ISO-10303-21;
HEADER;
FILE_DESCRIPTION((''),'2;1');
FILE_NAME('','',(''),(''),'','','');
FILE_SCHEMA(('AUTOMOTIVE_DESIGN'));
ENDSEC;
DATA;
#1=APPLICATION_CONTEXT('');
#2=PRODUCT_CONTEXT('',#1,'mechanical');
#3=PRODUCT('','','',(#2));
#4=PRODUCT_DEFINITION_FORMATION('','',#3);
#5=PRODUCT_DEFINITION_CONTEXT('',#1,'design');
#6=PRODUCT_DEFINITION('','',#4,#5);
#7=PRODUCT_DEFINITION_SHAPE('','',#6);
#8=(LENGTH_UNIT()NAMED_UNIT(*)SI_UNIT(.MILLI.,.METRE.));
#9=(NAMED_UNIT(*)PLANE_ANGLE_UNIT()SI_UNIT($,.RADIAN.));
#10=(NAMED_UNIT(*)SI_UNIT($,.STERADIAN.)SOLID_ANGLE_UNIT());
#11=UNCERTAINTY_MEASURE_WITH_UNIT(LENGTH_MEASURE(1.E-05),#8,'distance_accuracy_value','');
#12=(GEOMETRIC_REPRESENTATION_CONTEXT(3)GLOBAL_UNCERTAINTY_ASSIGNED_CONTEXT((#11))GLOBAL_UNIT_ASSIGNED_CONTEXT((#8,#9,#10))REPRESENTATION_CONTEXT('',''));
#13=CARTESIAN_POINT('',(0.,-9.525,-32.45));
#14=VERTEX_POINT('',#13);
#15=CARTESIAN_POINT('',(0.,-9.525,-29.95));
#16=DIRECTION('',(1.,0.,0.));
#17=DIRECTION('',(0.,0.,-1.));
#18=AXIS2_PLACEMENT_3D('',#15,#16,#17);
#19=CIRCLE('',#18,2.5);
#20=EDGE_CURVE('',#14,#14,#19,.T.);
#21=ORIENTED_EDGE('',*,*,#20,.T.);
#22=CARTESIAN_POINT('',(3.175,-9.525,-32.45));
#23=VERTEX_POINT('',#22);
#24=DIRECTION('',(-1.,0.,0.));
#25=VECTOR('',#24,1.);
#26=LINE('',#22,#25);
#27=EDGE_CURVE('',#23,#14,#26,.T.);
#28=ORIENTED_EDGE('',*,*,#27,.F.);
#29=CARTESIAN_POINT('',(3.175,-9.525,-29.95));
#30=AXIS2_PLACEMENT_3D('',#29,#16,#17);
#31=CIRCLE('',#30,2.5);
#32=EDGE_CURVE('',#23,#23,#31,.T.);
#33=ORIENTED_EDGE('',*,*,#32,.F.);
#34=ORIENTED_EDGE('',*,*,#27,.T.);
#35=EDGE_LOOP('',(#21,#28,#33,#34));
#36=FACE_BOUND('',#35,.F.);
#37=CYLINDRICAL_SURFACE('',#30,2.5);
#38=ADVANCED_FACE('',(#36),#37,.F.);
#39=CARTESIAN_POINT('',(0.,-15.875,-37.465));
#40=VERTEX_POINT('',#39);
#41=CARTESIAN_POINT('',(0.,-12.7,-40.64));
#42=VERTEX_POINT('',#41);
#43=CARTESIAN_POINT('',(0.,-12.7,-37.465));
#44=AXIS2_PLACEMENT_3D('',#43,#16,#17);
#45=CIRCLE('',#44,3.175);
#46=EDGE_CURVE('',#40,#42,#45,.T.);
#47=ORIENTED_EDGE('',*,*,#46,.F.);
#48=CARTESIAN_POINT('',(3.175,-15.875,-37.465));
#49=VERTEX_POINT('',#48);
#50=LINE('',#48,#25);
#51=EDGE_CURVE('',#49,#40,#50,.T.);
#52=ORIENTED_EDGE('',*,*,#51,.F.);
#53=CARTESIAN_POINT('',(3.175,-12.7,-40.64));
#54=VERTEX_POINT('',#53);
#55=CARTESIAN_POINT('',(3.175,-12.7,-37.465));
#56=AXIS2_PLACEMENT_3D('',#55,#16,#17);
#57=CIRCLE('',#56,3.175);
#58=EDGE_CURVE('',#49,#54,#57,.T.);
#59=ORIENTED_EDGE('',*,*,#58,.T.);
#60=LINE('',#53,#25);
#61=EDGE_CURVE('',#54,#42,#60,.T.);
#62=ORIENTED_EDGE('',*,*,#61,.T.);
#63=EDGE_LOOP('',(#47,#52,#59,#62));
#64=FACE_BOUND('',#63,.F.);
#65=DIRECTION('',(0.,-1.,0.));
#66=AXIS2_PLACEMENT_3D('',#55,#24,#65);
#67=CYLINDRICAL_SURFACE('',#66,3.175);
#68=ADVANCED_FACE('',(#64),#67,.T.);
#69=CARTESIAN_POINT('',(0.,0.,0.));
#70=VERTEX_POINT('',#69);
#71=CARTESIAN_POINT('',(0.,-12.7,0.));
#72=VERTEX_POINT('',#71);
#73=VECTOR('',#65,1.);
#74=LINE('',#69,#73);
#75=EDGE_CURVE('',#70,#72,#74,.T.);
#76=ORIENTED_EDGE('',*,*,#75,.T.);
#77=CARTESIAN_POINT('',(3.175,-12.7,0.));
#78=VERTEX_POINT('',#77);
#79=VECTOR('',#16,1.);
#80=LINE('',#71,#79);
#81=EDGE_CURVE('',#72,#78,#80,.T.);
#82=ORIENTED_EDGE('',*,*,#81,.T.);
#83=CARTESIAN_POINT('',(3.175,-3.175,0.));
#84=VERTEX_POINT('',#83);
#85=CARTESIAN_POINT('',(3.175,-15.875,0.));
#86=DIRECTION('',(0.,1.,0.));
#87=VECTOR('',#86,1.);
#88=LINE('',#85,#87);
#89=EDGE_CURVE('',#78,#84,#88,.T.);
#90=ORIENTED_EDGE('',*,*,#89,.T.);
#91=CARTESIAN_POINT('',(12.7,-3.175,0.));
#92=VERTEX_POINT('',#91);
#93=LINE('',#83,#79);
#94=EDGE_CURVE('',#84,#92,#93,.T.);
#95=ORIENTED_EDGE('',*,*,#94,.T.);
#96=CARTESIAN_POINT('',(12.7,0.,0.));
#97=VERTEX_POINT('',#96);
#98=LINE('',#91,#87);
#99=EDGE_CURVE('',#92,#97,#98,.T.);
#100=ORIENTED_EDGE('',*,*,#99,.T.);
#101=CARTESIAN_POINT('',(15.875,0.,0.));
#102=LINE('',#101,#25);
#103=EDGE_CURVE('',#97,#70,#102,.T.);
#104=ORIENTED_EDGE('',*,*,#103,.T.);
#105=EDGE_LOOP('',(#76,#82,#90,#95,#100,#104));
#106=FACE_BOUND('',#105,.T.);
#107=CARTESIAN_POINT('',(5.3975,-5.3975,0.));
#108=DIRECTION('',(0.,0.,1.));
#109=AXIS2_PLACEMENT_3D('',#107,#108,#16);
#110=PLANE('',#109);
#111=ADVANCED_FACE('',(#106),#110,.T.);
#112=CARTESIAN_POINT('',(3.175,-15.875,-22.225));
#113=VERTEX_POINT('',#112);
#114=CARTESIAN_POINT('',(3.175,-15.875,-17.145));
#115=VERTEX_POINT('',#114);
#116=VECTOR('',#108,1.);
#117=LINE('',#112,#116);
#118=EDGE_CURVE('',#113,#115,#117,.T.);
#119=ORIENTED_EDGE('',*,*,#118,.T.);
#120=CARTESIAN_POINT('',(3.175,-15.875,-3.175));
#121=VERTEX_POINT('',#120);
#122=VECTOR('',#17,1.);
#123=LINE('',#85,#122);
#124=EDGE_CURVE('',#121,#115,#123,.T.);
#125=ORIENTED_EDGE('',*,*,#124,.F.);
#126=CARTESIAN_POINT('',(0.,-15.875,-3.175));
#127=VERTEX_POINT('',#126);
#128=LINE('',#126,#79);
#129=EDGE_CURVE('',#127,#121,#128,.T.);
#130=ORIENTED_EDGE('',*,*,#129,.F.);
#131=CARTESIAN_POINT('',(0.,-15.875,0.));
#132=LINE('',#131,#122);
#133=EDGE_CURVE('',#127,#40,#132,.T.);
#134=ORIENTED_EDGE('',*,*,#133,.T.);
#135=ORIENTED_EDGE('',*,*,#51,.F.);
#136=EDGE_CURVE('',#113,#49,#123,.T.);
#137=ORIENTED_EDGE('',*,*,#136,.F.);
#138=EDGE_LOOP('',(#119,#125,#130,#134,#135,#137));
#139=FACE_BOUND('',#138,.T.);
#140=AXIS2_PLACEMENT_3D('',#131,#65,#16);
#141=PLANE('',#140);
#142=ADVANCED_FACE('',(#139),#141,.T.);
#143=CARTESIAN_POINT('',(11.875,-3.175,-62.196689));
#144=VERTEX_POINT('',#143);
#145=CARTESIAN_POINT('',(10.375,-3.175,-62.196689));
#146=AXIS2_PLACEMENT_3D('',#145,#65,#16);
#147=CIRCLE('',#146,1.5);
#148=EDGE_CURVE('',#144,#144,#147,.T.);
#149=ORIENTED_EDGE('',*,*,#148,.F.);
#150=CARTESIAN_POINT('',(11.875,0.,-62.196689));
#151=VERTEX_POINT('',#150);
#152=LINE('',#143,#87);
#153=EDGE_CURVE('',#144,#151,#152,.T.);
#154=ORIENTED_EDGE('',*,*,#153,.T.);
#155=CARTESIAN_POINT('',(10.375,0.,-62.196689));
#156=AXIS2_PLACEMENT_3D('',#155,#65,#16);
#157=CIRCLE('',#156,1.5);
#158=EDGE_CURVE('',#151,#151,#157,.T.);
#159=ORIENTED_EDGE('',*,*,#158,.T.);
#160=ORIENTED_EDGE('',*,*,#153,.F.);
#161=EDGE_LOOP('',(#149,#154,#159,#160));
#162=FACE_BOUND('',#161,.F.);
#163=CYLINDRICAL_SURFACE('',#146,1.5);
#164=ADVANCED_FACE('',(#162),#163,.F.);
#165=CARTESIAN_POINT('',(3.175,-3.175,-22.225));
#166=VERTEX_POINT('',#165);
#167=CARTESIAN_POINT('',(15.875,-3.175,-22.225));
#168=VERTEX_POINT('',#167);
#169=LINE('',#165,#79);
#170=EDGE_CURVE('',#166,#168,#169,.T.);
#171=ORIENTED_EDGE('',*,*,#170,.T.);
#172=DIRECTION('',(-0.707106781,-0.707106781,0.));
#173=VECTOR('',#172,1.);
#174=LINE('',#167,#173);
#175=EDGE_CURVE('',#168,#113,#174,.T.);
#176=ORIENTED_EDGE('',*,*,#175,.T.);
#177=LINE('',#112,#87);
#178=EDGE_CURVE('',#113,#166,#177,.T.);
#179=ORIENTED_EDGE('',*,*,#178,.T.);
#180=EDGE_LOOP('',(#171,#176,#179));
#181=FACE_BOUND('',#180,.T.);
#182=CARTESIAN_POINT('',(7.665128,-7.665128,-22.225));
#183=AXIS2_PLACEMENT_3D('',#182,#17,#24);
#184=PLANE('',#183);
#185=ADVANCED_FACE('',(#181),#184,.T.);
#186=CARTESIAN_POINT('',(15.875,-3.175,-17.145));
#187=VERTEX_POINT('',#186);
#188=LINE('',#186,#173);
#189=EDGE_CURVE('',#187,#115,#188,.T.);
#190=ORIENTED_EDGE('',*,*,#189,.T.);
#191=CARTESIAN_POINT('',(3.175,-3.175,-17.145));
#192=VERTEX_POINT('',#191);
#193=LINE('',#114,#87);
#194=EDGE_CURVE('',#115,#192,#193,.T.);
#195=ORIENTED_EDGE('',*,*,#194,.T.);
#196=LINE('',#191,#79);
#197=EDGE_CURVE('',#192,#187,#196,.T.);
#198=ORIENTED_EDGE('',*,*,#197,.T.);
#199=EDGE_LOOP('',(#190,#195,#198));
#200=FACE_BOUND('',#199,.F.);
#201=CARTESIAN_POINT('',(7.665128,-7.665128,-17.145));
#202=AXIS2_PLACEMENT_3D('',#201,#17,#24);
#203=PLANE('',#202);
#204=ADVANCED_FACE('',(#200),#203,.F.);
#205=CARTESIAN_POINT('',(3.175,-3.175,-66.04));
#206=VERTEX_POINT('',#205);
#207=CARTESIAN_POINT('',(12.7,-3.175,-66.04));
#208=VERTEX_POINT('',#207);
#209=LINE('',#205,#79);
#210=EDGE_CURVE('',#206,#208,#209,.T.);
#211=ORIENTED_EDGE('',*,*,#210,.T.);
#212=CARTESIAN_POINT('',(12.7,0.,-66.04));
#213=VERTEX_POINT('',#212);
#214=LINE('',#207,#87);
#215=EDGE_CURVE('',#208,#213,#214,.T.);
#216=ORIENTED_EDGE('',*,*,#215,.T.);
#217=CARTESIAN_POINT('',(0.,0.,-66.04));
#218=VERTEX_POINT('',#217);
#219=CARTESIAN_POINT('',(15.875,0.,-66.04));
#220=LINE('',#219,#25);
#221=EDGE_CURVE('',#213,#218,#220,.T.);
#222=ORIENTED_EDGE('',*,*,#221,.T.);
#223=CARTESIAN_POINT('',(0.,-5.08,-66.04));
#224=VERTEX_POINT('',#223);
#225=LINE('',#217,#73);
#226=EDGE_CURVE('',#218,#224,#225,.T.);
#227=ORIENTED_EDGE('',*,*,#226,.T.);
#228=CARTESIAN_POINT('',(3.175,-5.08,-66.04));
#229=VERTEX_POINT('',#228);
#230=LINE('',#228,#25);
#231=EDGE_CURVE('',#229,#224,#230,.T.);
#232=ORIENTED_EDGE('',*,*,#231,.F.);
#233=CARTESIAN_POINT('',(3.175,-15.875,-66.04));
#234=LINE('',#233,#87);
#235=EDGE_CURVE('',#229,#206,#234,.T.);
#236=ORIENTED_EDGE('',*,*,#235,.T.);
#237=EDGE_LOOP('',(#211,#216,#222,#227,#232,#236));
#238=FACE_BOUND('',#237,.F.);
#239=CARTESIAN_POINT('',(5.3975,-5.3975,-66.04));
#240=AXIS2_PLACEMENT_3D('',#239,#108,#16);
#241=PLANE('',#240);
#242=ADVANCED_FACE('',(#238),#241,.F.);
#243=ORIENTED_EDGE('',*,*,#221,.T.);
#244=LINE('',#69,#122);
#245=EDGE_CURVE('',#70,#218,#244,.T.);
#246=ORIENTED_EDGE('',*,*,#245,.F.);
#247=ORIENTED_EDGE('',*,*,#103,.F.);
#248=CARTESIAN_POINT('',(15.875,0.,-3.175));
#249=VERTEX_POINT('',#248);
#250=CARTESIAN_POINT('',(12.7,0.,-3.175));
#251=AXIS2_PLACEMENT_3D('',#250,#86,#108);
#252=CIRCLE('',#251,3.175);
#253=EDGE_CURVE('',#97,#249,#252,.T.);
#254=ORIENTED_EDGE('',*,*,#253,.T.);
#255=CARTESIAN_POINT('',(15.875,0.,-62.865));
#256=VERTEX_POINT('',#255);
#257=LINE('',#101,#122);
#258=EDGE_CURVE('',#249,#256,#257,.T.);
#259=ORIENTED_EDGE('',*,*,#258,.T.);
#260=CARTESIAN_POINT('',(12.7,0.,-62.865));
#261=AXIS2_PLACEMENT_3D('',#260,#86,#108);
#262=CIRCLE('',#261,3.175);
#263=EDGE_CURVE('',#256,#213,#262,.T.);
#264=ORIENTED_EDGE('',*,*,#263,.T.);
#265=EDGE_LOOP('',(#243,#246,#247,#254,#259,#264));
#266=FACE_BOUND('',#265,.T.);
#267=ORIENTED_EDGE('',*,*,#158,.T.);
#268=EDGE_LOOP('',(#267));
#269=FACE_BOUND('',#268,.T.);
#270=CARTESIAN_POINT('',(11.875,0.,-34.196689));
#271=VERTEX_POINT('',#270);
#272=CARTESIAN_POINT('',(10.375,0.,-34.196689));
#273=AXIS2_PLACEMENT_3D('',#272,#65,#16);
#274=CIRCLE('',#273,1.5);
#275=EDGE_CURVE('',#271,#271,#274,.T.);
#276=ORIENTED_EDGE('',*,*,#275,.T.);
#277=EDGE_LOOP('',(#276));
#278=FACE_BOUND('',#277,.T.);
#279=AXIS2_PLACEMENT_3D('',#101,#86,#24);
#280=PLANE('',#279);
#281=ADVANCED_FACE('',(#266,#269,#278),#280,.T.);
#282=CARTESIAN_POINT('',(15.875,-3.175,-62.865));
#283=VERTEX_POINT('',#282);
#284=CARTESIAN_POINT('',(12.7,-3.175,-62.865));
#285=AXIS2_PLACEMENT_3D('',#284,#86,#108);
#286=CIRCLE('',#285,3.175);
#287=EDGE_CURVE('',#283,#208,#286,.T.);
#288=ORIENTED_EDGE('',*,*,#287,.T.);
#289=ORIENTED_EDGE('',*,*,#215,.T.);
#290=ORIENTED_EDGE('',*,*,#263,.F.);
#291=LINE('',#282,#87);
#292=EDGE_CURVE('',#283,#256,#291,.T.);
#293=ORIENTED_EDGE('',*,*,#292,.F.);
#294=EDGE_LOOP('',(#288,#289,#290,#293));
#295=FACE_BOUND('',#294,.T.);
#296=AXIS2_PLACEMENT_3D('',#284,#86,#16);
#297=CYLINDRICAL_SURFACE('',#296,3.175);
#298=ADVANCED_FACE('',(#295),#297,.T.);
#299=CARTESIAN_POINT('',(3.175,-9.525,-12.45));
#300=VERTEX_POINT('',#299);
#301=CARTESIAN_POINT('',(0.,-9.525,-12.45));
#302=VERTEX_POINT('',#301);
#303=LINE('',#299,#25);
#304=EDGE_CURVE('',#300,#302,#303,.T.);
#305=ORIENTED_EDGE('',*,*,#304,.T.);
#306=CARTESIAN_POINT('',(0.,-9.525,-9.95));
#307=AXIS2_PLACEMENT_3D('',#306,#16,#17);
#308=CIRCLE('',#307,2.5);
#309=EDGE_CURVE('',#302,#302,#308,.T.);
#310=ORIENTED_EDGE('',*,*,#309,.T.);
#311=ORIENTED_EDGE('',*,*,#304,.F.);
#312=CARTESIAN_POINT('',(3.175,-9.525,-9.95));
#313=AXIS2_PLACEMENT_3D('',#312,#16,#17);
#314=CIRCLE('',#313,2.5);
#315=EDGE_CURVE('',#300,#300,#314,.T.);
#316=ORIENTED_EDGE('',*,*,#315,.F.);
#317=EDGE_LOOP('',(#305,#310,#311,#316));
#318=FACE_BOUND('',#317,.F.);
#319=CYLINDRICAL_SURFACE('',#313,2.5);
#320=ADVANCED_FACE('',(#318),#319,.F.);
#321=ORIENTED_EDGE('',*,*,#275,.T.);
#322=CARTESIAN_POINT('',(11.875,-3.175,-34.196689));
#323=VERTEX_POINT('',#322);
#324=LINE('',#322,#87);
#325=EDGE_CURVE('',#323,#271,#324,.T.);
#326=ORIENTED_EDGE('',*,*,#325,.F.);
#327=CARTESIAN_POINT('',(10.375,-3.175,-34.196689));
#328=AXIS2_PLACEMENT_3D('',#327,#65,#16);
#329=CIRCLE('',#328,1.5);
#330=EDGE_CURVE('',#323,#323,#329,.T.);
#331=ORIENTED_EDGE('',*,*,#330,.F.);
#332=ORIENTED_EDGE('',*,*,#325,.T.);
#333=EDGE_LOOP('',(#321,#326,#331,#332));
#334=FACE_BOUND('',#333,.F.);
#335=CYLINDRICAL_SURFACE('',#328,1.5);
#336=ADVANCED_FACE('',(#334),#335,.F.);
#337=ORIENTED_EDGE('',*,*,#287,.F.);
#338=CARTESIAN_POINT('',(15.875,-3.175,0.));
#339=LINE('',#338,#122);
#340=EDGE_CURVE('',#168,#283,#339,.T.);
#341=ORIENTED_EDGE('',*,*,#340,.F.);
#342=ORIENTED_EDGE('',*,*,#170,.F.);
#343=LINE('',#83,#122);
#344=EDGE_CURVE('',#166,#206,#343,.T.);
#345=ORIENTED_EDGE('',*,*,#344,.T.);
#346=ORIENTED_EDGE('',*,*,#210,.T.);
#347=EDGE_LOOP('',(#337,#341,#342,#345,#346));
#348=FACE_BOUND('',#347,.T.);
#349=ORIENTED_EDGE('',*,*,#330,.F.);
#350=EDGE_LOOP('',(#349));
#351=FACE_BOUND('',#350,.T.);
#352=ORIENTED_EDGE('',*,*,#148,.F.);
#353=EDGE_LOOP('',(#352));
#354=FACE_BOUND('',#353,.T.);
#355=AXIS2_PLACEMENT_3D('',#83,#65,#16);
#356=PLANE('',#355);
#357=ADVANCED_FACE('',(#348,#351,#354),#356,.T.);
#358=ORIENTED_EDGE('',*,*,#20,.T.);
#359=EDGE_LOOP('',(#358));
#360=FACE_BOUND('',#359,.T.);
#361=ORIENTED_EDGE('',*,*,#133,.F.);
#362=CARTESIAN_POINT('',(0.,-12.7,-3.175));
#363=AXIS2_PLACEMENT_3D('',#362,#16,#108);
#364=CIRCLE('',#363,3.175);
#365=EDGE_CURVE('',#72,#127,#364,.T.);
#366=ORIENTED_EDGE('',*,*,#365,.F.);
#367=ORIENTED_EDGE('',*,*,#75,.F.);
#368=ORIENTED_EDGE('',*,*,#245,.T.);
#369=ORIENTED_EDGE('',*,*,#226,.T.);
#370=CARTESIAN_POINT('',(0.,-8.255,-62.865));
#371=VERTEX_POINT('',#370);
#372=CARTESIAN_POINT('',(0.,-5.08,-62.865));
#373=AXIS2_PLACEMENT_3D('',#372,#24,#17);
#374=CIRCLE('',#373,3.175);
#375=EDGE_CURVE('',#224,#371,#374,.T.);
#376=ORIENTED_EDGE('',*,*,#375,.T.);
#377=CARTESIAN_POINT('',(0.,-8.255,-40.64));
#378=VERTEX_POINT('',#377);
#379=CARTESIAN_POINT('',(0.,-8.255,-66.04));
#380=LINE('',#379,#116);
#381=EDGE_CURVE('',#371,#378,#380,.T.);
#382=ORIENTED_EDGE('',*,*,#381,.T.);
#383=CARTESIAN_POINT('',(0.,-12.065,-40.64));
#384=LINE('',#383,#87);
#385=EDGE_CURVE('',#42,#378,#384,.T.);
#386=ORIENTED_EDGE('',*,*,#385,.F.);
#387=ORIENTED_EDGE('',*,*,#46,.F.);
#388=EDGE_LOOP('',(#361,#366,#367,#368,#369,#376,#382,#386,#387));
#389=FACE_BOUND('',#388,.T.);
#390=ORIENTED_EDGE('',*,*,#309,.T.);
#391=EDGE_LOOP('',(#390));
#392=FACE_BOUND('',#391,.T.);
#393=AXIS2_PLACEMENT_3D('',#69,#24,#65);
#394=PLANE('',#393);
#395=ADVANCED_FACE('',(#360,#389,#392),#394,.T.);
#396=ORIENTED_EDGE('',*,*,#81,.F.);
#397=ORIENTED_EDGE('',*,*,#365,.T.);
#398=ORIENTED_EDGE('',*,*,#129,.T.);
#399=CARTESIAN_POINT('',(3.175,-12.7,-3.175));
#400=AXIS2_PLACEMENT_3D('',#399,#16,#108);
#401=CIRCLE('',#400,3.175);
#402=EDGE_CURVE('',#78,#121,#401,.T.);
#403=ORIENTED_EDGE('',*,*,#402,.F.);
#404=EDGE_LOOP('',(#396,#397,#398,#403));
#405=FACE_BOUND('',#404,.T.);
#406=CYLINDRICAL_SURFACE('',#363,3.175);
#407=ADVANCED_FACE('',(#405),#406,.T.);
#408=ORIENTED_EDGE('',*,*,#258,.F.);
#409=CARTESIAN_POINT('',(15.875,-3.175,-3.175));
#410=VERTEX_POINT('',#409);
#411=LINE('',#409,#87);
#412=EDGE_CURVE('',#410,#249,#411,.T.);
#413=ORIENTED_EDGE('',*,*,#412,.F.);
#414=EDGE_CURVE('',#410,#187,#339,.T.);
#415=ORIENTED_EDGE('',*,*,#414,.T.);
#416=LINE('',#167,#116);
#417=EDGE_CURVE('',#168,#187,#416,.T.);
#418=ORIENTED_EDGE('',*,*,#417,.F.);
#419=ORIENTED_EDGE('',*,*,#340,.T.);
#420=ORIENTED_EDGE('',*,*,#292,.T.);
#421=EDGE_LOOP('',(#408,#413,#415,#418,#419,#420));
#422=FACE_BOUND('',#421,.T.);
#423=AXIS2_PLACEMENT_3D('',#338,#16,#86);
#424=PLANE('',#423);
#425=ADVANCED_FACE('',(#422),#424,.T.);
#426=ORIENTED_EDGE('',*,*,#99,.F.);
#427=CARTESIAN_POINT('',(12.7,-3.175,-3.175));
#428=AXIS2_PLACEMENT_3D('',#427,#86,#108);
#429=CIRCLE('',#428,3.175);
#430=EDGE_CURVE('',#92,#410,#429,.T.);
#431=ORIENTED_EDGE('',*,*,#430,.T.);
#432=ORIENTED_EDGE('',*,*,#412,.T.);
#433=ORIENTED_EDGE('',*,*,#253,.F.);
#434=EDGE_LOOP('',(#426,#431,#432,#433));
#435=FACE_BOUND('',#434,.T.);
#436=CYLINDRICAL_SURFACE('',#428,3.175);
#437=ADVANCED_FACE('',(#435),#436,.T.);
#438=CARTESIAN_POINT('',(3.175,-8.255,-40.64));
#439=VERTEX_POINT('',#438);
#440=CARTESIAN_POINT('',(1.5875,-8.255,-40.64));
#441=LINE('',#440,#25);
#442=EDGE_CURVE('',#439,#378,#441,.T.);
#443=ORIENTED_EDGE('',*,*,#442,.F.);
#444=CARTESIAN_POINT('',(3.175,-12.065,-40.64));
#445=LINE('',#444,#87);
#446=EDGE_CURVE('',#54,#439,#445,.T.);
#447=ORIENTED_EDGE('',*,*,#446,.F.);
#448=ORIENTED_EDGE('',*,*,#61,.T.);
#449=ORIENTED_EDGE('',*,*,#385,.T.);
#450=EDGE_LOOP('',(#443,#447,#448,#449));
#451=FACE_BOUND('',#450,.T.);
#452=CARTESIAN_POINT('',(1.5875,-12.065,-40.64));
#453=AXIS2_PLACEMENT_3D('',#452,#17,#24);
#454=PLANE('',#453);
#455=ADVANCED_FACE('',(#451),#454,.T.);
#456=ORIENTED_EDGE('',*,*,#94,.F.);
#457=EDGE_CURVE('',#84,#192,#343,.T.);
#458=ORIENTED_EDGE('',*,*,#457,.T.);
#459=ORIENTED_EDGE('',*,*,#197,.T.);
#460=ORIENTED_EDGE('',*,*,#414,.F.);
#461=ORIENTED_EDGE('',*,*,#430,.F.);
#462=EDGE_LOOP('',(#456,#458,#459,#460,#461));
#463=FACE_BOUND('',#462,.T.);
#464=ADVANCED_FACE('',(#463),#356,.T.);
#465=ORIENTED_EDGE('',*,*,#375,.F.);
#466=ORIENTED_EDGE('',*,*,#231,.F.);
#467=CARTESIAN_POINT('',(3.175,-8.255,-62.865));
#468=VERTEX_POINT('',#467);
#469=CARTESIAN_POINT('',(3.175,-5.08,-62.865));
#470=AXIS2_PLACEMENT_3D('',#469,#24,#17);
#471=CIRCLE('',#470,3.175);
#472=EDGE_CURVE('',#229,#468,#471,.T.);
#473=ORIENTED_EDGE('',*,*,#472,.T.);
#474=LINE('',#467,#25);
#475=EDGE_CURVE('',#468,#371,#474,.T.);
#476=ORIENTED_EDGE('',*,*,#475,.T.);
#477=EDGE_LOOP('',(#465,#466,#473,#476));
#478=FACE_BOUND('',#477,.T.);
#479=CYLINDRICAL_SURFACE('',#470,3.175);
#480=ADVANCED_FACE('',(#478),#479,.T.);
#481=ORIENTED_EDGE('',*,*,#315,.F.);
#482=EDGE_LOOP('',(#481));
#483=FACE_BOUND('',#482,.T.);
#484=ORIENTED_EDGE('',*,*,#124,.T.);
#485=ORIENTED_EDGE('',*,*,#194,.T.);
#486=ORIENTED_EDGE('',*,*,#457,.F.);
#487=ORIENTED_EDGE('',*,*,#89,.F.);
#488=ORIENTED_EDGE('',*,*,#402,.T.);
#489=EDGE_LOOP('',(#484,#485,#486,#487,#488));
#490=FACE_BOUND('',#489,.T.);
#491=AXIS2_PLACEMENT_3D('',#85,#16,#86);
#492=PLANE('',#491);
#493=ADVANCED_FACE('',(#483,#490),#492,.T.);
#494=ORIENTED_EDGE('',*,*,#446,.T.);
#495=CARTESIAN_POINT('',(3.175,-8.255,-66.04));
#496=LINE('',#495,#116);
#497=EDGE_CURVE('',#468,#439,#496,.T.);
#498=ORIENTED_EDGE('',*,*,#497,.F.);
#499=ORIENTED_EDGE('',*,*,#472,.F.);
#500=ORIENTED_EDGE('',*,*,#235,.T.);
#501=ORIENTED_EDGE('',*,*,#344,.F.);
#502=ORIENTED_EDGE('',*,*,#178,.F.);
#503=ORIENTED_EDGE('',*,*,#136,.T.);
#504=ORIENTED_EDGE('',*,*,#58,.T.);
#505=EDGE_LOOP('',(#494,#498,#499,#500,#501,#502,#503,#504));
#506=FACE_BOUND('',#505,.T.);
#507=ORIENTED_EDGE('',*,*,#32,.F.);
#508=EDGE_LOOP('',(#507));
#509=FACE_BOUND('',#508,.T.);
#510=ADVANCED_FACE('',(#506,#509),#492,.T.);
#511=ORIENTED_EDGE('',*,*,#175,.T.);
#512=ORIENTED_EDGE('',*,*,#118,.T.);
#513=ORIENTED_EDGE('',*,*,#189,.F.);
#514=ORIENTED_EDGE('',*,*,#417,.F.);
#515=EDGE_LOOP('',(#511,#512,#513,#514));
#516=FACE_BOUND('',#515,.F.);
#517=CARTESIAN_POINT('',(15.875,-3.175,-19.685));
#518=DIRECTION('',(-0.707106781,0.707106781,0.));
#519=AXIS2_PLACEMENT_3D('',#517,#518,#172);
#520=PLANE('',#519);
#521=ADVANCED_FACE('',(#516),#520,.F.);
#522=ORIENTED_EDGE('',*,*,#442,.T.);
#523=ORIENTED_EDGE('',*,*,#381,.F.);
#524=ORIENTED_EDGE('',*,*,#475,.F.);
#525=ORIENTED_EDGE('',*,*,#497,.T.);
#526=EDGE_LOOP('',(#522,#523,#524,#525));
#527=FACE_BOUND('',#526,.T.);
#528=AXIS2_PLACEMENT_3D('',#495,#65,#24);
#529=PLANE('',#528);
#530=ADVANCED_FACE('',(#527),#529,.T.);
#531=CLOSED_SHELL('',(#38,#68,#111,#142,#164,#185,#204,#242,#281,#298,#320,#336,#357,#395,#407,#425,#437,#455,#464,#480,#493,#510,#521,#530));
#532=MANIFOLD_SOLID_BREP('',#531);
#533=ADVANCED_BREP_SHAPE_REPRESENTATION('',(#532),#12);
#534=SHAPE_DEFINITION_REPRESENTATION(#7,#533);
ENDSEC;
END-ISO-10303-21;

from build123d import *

# Parameters (mm, degrees)
BOSS_EXTRUDE1_DEPTH = 66.04
SKETCH2_R           = 2.5
CUT_EXTRUDE1_DEPTH  = 4.175
BOSS_EXTRUDE2_DEPTH = 2.54
SKETCH4_W           = 3.175
SKETCH4_H           = 7.62
CUT_EXTRUDE2_DEPTH  = 25.4
SKETCH5_R           = 1.5
CUT_EXTRUDE3_DEPTH  = 25.4
FILLET1_R           = 3.175


with BuildPart() as part:
    # Sketch1 → Boss-Extrude1 (new body)
    with BuildSketch(Plane.XY):
        Polygon((3.175, -3.175), (15.875, -3.175), (15.875, 0), (0, 0), (0, -15.875), (3.175, -15.875), align=None)
    extrude(amount=-BOSS_EXTRUDE1_DEPTH)

    # Sketch2 → Cut-Extrude1 (cut, through all)
    with BuildSketch(Plane(origin=(3.175, 0, 0), x_dir=(0, 0, -1), z_dir=(1, 0, 0))):
        with Locations((29.95, -9.525)):
            Circle(SKETCH2_R)
        with Locations((9.95, -9.525)):
            Circle(SKETCH2_R)
    extrude(amount=-CUT_EXTRUDE1_DEPTH, mode=Mode.SUBTRACT)

    # Sketch3 → Boss-Extrude2 (add, symmetric)
    with BuildSketch(Plane.XY.offset(-19.685)):
        Polygon((3.175, -15.875), (3.175, -3.175), (15.875, -3.175), align=None)
    extrude(amount=BOSS_EXTRUDE2_DEPTH, both=True)

    # Sketch4 → Cut-Extrude2 (cut)
    with BuildSketch(Plane(origin=(0, 0, -66.04), x_dir=(-1, 0, 0), z_dir=(0, 0, -1))):
        with Locations((-1.5875, -12.065)):
            Rectangle(SKETCH4_W, SKETCH4_H)
    extrude(amount=-CUT_EXTRUDE2_DEPTH, mode=Mode.SUBTRACT)

    # Sketch5 → Cut-Extrude3 (cut)
    with BuildSketch(Plane.XZ.offset(3.175)):
        with Locations((10.375, -34.196688578)):
            Circle(SKETCH5_R)
        with Locations((10.375, -62.196688578)):
            Circle(SKETCH5_R)
    extrude(amount=-CUT_EXTRUDE3_DEPTH, mode=Mode.SUBTRACT)

    # Fillet1
    fillet1_edges = [part.edges().sort_by_distance(p)[0] for p in [
        (15.875, -1.5875, -66.04),
        (1.5875, -15.875, -40.64),
        (1.5875, -8.255, -66.04),
        (1.5875, -15.875, 0),
        (15.875, -1.5875, 0),
    ]]
    fillet(fillet1_edges, radius=FILLET1_R)


solid = part.part
